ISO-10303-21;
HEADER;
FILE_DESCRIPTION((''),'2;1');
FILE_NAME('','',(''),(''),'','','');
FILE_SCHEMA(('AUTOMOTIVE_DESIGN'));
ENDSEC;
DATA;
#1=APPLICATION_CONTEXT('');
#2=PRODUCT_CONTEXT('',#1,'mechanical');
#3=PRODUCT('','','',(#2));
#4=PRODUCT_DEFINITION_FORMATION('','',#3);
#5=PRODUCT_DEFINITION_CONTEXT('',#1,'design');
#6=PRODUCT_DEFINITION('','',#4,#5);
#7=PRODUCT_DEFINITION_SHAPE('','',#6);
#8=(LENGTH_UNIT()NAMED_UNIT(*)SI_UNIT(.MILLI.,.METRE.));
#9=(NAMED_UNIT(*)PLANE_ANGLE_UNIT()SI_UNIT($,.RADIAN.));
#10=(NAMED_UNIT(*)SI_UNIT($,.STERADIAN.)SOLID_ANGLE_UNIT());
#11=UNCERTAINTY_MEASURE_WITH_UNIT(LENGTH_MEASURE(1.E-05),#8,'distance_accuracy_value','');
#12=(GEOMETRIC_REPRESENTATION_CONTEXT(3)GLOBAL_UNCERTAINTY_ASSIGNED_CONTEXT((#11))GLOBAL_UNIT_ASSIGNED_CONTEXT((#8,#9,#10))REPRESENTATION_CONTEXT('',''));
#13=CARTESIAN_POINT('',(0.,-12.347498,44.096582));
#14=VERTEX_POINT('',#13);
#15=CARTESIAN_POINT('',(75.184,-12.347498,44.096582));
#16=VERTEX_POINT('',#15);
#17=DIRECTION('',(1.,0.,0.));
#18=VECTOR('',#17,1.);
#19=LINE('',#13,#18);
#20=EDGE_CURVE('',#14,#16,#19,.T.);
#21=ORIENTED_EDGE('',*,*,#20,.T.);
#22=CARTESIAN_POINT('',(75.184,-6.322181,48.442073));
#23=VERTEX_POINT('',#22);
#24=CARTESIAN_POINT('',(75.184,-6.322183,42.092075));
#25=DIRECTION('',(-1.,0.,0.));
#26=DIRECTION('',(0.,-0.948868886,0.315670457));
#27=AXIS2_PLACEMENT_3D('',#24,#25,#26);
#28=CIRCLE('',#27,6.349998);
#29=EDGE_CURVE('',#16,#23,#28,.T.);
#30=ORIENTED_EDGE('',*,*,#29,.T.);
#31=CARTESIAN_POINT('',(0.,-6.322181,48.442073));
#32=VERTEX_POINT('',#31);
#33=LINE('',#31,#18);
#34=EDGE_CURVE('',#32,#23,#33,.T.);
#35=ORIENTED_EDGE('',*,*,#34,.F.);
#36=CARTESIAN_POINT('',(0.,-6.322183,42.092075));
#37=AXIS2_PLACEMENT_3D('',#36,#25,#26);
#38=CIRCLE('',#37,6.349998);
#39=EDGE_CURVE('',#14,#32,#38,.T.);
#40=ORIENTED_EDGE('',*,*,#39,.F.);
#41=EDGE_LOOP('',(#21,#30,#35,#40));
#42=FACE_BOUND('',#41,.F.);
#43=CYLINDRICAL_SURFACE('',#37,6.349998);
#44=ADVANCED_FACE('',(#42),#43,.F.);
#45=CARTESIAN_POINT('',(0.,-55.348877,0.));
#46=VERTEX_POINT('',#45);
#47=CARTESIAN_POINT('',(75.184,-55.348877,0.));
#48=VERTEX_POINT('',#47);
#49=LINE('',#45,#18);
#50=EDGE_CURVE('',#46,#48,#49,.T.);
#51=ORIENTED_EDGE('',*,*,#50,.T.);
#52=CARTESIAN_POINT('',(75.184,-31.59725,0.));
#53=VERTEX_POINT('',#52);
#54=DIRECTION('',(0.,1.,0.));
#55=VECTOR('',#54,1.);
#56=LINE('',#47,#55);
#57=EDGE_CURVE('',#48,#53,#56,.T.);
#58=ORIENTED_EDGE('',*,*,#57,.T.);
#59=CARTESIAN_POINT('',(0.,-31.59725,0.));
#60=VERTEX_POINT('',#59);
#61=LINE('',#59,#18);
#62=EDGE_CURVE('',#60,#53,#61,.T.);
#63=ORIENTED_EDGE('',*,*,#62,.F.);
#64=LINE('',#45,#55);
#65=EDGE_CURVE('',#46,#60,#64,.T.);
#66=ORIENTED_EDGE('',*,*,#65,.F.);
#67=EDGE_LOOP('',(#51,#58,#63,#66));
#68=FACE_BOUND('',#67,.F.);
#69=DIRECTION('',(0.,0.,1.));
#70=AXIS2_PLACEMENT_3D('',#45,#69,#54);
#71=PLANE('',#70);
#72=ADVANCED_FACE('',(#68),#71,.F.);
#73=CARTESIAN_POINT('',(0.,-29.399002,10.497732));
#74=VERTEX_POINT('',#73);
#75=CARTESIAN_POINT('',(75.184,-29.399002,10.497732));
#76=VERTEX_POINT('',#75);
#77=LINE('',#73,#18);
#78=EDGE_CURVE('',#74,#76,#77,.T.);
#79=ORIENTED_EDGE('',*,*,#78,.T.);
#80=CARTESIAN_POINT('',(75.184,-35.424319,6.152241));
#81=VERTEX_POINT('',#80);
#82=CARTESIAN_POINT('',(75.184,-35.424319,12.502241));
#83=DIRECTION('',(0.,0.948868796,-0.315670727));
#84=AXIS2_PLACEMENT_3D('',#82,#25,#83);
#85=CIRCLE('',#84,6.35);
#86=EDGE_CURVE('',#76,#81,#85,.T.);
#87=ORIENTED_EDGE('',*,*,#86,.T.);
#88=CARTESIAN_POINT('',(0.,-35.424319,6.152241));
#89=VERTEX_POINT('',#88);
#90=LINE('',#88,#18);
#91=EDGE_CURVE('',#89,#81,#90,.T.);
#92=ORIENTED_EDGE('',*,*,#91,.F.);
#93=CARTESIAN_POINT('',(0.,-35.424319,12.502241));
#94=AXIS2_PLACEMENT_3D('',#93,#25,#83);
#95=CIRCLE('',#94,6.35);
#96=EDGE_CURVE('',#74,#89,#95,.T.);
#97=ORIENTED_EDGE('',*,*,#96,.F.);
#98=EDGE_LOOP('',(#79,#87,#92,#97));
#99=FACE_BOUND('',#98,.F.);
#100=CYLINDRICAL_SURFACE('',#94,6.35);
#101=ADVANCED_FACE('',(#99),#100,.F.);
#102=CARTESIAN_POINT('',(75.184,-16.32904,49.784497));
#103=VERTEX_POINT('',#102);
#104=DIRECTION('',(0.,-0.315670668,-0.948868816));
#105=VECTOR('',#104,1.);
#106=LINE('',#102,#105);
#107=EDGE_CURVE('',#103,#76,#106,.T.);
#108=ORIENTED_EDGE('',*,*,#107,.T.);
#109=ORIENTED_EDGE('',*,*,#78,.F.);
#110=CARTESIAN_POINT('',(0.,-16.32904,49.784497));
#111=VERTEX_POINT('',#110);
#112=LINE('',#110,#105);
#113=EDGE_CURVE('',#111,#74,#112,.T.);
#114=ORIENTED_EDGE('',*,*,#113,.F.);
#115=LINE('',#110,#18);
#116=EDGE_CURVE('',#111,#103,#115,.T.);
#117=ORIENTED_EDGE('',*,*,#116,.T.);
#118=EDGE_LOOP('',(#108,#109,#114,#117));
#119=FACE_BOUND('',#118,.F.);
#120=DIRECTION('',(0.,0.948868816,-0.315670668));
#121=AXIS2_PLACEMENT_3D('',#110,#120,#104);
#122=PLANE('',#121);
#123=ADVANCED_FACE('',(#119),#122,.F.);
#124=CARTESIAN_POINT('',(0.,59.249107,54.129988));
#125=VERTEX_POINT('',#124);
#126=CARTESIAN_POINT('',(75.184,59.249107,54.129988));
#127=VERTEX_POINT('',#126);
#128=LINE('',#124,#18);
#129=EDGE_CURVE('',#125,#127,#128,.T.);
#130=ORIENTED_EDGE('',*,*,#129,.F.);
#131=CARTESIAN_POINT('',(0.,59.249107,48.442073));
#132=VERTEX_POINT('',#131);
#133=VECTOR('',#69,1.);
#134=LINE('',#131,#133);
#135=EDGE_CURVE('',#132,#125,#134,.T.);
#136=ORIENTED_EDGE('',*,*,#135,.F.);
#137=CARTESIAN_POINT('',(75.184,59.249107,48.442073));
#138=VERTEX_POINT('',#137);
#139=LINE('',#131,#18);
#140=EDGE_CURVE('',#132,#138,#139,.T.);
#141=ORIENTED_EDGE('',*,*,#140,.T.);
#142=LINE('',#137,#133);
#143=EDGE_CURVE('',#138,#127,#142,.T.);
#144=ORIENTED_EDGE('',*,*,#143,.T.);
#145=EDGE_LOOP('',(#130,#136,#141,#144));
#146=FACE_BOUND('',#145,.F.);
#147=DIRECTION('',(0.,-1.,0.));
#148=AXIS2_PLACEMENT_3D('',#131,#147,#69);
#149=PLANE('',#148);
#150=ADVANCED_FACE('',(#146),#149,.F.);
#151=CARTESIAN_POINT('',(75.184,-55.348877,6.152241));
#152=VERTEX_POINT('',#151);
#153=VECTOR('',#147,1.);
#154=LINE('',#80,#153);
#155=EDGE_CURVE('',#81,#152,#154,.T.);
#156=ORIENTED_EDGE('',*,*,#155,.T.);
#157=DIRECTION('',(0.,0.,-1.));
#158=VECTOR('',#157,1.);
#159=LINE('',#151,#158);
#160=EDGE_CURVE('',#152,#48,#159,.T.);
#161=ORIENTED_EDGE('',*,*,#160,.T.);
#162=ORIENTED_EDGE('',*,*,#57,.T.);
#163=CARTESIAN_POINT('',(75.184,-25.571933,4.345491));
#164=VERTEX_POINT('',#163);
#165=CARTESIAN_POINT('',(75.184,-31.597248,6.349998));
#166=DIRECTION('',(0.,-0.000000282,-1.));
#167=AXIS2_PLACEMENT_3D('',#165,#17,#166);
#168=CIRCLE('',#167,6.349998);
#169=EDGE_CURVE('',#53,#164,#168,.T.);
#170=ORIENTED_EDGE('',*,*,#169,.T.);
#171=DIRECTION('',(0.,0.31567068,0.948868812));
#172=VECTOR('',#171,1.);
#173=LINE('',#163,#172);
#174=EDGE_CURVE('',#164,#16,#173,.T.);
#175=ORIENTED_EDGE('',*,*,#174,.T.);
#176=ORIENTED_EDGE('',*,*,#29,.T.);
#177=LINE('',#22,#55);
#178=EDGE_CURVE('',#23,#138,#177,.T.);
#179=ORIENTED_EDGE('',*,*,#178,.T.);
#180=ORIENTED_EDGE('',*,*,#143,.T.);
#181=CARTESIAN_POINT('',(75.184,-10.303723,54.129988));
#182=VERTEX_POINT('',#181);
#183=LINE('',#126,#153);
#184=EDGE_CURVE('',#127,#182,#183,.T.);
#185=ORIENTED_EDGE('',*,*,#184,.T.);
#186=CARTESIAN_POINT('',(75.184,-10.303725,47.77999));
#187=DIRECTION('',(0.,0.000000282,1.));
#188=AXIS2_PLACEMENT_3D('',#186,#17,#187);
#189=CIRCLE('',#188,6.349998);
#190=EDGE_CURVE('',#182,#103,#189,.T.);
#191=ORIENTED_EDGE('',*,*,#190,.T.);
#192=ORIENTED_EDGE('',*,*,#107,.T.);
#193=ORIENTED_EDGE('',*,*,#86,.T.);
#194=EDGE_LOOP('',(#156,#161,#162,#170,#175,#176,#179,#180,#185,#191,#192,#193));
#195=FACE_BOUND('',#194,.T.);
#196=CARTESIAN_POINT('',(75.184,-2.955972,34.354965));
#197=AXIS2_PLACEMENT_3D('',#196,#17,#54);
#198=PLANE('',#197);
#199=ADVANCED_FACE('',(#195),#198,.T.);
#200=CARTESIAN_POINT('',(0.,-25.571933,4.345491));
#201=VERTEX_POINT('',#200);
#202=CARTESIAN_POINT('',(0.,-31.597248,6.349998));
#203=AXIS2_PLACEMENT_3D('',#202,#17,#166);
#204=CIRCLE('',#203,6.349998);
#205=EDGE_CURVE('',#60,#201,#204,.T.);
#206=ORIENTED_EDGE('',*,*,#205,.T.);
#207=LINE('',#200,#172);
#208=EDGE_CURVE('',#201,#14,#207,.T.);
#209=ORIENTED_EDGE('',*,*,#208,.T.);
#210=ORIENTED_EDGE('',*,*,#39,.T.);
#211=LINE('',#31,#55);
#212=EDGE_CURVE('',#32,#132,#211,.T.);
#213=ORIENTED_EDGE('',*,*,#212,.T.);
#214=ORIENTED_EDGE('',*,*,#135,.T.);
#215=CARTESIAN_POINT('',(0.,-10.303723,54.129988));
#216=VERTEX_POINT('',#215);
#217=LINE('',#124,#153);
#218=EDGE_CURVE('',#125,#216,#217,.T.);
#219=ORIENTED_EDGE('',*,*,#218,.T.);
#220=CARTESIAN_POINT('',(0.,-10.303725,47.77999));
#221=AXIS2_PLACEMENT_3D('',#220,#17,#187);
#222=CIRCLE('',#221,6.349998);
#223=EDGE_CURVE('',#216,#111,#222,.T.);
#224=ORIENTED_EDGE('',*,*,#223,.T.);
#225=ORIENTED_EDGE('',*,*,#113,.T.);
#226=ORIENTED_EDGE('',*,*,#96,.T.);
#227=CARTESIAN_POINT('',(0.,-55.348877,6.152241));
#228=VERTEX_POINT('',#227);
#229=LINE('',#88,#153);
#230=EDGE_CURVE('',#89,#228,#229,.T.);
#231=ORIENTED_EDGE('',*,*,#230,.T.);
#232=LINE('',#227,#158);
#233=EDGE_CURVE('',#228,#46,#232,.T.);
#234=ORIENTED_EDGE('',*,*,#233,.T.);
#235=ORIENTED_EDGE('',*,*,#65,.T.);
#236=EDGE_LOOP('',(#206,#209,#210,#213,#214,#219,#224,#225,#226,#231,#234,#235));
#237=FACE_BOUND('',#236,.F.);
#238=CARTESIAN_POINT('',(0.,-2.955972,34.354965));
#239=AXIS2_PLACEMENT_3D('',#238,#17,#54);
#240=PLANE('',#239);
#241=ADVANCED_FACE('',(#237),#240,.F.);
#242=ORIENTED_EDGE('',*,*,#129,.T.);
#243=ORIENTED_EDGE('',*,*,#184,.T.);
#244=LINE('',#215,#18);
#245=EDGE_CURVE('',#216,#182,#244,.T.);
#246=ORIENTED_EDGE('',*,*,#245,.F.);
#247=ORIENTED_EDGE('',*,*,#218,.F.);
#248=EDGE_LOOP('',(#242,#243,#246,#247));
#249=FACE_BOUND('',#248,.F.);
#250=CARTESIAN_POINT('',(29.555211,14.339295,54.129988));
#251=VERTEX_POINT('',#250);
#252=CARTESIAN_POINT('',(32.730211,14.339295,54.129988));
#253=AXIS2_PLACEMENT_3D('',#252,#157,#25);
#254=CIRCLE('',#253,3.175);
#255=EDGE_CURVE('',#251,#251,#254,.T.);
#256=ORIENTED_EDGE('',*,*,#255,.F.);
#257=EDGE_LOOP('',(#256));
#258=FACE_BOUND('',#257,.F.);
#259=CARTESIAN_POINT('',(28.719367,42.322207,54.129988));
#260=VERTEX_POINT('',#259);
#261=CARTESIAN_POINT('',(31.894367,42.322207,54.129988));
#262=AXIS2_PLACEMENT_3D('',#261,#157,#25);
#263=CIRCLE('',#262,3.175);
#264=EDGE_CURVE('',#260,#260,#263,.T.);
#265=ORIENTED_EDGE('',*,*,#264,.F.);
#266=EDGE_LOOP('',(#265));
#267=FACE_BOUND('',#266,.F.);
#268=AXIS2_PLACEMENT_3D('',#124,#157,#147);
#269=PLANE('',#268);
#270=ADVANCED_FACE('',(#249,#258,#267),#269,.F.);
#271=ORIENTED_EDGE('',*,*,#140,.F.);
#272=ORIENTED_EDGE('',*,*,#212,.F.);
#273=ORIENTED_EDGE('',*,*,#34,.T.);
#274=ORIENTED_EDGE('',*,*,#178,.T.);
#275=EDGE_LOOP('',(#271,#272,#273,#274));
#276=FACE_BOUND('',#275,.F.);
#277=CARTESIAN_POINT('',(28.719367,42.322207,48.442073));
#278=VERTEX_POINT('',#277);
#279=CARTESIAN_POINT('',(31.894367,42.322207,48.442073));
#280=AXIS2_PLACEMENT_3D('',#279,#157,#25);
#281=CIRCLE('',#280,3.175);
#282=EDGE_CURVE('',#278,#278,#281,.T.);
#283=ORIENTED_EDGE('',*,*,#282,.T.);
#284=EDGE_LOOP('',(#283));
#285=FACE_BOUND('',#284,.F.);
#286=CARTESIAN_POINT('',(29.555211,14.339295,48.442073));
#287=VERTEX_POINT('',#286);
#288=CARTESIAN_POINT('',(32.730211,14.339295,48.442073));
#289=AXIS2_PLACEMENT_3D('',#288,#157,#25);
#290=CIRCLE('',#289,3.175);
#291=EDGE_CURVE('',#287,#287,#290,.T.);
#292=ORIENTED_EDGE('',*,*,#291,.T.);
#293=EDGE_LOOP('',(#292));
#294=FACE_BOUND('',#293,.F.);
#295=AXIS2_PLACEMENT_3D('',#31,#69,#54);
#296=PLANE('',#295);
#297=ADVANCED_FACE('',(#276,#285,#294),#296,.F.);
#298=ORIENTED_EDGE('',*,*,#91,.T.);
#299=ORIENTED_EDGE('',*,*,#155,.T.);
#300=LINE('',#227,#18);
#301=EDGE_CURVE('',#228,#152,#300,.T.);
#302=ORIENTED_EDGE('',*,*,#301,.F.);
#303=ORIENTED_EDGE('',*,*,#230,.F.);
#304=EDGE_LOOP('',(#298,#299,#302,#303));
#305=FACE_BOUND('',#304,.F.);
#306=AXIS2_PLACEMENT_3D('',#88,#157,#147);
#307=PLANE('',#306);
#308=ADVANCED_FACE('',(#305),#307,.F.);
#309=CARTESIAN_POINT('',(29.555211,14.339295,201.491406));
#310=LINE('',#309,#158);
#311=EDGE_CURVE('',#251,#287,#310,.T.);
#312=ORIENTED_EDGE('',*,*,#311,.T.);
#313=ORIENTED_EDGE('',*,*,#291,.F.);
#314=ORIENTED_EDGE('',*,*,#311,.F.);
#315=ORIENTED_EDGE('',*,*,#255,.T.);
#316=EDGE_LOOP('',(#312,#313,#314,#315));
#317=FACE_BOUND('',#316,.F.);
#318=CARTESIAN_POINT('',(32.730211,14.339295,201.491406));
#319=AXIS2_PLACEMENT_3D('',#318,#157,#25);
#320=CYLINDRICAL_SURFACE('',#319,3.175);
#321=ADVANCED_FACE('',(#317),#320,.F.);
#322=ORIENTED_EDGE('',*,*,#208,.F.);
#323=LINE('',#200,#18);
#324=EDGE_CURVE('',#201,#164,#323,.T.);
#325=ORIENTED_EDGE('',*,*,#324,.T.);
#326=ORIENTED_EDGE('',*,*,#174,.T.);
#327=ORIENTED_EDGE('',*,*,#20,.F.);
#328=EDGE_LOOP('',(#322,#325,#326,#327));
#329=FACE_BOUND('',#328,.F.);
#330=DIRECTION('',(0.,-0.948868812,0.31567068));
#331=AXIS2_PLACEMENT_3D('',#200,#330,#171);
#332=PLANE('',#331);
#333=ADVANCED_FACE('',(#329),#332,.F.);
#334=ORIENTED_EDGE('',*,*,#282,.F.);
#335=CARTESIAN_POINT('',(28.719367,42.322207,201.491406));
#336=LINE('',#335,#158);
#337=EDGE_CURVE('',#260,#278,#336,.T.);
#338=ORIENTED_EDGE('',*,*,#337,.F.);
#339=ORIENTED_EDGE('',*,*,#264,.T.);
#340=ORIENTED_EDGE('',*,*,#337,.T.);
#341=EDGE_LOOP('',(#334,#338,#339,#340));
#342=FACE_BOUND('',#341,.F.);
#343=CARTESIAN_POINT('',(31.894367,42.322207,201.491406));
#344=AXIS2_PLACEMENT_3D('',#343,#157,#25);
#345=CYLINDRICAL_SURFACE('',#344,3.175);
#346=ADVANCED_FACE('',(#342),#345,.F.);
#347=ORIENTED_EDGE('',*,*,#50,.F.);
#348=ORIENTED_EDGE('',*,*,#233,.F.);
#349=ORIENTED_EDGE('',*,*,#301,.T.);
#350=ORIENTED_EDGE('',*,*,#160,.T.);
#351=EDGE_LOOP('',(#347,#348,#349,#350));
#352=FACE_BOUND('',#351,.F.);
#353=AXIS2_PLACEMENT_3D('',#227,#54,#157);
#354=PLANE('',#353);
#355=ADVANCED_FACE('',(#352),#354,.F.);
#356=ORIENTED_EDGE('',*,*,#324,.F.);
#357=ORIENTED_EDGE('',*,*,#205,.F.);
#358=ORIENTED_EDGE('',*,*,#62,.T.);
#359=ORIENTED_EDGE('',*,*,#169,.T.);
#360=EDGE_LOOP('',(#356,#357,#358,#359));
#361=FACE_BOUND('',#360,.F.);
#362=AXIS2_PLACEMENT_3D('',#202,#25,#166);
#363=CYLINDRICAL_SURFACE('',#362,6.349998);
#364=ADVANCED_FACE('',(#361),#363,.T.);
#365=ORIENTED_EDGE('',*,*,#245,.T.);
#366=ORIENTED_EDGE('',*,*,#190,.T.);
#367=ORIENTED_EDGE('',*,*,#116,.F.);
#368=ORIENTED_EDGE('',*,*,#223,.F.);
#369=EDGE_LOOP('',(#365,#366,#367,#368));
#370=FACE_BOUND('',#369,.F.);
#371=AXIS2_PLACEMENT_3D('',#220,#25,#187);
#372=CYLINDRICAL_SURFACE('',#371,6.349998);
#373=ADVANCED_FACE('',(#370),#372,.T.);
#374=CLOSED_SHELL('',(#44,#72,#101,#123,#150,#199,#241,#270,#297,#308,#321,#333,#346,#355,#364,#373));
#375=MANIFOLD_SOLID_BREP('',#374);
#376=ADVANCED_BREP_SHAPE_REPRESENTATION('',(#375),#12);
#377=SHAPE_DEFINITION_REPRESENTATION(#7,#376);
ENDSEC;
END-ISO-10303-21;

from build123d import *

# Parameters (mm, degrees)
F1_DEPTH = 75.184
F3_D     = 6.35


with BuildPart() as f1:
    # F0 (on Right) → F1 (new body)
    with BuildSketch(Plane.YZ):
        with BuildLine():
            Line((-55.348877, 6.152241), (-55.348877, 0))
            Line((-55.348877, 0), (-31.59725, 0))
            ThreePointArc((-31.59725, 0), (-27.882827, 1.199702), (-25.571933, 4.345491))
            Line((-25.571933, 4.345491), (-12.347498, 44.096582))
            ThreePointArc((-12.347498, 44.096582), (-10.036604, 47.242371), (-6.322181, 48.442073))
            Line((-6.322181, 48.442073), (59.249107, 48.442073))
            Line((59.249107, 48.442073), (59.249107, 54.129988))
            Line((59.249107, 54.129988), (-10.303723, 54.129988))
            ThreePointArc((-10.303723, 54.129988), (-14.018146, 52.930286), (-16.32904, 49.784497))
            Line((-16.32904, 49.784497), (-29.399002, 10.497732))
            ThreePointArc((-29.399002, 10.497732), (-31.709897, 7.351943), (-35.424319, 6.152241))
            Line((-35.424319, 6.152241), (-55.348877, 6.152241))
        make_face()
    extrude(amount=F1_DEPTH)

    # F3 (through all)
    with Locations(Plane.XY.offset(54.129988)):
        with Locations((31.894367, 42.322207), (32.730211, 14.339295), (79.772197, -91.813229)):
            Hole(F3_D / 2)


solid = f1.part
